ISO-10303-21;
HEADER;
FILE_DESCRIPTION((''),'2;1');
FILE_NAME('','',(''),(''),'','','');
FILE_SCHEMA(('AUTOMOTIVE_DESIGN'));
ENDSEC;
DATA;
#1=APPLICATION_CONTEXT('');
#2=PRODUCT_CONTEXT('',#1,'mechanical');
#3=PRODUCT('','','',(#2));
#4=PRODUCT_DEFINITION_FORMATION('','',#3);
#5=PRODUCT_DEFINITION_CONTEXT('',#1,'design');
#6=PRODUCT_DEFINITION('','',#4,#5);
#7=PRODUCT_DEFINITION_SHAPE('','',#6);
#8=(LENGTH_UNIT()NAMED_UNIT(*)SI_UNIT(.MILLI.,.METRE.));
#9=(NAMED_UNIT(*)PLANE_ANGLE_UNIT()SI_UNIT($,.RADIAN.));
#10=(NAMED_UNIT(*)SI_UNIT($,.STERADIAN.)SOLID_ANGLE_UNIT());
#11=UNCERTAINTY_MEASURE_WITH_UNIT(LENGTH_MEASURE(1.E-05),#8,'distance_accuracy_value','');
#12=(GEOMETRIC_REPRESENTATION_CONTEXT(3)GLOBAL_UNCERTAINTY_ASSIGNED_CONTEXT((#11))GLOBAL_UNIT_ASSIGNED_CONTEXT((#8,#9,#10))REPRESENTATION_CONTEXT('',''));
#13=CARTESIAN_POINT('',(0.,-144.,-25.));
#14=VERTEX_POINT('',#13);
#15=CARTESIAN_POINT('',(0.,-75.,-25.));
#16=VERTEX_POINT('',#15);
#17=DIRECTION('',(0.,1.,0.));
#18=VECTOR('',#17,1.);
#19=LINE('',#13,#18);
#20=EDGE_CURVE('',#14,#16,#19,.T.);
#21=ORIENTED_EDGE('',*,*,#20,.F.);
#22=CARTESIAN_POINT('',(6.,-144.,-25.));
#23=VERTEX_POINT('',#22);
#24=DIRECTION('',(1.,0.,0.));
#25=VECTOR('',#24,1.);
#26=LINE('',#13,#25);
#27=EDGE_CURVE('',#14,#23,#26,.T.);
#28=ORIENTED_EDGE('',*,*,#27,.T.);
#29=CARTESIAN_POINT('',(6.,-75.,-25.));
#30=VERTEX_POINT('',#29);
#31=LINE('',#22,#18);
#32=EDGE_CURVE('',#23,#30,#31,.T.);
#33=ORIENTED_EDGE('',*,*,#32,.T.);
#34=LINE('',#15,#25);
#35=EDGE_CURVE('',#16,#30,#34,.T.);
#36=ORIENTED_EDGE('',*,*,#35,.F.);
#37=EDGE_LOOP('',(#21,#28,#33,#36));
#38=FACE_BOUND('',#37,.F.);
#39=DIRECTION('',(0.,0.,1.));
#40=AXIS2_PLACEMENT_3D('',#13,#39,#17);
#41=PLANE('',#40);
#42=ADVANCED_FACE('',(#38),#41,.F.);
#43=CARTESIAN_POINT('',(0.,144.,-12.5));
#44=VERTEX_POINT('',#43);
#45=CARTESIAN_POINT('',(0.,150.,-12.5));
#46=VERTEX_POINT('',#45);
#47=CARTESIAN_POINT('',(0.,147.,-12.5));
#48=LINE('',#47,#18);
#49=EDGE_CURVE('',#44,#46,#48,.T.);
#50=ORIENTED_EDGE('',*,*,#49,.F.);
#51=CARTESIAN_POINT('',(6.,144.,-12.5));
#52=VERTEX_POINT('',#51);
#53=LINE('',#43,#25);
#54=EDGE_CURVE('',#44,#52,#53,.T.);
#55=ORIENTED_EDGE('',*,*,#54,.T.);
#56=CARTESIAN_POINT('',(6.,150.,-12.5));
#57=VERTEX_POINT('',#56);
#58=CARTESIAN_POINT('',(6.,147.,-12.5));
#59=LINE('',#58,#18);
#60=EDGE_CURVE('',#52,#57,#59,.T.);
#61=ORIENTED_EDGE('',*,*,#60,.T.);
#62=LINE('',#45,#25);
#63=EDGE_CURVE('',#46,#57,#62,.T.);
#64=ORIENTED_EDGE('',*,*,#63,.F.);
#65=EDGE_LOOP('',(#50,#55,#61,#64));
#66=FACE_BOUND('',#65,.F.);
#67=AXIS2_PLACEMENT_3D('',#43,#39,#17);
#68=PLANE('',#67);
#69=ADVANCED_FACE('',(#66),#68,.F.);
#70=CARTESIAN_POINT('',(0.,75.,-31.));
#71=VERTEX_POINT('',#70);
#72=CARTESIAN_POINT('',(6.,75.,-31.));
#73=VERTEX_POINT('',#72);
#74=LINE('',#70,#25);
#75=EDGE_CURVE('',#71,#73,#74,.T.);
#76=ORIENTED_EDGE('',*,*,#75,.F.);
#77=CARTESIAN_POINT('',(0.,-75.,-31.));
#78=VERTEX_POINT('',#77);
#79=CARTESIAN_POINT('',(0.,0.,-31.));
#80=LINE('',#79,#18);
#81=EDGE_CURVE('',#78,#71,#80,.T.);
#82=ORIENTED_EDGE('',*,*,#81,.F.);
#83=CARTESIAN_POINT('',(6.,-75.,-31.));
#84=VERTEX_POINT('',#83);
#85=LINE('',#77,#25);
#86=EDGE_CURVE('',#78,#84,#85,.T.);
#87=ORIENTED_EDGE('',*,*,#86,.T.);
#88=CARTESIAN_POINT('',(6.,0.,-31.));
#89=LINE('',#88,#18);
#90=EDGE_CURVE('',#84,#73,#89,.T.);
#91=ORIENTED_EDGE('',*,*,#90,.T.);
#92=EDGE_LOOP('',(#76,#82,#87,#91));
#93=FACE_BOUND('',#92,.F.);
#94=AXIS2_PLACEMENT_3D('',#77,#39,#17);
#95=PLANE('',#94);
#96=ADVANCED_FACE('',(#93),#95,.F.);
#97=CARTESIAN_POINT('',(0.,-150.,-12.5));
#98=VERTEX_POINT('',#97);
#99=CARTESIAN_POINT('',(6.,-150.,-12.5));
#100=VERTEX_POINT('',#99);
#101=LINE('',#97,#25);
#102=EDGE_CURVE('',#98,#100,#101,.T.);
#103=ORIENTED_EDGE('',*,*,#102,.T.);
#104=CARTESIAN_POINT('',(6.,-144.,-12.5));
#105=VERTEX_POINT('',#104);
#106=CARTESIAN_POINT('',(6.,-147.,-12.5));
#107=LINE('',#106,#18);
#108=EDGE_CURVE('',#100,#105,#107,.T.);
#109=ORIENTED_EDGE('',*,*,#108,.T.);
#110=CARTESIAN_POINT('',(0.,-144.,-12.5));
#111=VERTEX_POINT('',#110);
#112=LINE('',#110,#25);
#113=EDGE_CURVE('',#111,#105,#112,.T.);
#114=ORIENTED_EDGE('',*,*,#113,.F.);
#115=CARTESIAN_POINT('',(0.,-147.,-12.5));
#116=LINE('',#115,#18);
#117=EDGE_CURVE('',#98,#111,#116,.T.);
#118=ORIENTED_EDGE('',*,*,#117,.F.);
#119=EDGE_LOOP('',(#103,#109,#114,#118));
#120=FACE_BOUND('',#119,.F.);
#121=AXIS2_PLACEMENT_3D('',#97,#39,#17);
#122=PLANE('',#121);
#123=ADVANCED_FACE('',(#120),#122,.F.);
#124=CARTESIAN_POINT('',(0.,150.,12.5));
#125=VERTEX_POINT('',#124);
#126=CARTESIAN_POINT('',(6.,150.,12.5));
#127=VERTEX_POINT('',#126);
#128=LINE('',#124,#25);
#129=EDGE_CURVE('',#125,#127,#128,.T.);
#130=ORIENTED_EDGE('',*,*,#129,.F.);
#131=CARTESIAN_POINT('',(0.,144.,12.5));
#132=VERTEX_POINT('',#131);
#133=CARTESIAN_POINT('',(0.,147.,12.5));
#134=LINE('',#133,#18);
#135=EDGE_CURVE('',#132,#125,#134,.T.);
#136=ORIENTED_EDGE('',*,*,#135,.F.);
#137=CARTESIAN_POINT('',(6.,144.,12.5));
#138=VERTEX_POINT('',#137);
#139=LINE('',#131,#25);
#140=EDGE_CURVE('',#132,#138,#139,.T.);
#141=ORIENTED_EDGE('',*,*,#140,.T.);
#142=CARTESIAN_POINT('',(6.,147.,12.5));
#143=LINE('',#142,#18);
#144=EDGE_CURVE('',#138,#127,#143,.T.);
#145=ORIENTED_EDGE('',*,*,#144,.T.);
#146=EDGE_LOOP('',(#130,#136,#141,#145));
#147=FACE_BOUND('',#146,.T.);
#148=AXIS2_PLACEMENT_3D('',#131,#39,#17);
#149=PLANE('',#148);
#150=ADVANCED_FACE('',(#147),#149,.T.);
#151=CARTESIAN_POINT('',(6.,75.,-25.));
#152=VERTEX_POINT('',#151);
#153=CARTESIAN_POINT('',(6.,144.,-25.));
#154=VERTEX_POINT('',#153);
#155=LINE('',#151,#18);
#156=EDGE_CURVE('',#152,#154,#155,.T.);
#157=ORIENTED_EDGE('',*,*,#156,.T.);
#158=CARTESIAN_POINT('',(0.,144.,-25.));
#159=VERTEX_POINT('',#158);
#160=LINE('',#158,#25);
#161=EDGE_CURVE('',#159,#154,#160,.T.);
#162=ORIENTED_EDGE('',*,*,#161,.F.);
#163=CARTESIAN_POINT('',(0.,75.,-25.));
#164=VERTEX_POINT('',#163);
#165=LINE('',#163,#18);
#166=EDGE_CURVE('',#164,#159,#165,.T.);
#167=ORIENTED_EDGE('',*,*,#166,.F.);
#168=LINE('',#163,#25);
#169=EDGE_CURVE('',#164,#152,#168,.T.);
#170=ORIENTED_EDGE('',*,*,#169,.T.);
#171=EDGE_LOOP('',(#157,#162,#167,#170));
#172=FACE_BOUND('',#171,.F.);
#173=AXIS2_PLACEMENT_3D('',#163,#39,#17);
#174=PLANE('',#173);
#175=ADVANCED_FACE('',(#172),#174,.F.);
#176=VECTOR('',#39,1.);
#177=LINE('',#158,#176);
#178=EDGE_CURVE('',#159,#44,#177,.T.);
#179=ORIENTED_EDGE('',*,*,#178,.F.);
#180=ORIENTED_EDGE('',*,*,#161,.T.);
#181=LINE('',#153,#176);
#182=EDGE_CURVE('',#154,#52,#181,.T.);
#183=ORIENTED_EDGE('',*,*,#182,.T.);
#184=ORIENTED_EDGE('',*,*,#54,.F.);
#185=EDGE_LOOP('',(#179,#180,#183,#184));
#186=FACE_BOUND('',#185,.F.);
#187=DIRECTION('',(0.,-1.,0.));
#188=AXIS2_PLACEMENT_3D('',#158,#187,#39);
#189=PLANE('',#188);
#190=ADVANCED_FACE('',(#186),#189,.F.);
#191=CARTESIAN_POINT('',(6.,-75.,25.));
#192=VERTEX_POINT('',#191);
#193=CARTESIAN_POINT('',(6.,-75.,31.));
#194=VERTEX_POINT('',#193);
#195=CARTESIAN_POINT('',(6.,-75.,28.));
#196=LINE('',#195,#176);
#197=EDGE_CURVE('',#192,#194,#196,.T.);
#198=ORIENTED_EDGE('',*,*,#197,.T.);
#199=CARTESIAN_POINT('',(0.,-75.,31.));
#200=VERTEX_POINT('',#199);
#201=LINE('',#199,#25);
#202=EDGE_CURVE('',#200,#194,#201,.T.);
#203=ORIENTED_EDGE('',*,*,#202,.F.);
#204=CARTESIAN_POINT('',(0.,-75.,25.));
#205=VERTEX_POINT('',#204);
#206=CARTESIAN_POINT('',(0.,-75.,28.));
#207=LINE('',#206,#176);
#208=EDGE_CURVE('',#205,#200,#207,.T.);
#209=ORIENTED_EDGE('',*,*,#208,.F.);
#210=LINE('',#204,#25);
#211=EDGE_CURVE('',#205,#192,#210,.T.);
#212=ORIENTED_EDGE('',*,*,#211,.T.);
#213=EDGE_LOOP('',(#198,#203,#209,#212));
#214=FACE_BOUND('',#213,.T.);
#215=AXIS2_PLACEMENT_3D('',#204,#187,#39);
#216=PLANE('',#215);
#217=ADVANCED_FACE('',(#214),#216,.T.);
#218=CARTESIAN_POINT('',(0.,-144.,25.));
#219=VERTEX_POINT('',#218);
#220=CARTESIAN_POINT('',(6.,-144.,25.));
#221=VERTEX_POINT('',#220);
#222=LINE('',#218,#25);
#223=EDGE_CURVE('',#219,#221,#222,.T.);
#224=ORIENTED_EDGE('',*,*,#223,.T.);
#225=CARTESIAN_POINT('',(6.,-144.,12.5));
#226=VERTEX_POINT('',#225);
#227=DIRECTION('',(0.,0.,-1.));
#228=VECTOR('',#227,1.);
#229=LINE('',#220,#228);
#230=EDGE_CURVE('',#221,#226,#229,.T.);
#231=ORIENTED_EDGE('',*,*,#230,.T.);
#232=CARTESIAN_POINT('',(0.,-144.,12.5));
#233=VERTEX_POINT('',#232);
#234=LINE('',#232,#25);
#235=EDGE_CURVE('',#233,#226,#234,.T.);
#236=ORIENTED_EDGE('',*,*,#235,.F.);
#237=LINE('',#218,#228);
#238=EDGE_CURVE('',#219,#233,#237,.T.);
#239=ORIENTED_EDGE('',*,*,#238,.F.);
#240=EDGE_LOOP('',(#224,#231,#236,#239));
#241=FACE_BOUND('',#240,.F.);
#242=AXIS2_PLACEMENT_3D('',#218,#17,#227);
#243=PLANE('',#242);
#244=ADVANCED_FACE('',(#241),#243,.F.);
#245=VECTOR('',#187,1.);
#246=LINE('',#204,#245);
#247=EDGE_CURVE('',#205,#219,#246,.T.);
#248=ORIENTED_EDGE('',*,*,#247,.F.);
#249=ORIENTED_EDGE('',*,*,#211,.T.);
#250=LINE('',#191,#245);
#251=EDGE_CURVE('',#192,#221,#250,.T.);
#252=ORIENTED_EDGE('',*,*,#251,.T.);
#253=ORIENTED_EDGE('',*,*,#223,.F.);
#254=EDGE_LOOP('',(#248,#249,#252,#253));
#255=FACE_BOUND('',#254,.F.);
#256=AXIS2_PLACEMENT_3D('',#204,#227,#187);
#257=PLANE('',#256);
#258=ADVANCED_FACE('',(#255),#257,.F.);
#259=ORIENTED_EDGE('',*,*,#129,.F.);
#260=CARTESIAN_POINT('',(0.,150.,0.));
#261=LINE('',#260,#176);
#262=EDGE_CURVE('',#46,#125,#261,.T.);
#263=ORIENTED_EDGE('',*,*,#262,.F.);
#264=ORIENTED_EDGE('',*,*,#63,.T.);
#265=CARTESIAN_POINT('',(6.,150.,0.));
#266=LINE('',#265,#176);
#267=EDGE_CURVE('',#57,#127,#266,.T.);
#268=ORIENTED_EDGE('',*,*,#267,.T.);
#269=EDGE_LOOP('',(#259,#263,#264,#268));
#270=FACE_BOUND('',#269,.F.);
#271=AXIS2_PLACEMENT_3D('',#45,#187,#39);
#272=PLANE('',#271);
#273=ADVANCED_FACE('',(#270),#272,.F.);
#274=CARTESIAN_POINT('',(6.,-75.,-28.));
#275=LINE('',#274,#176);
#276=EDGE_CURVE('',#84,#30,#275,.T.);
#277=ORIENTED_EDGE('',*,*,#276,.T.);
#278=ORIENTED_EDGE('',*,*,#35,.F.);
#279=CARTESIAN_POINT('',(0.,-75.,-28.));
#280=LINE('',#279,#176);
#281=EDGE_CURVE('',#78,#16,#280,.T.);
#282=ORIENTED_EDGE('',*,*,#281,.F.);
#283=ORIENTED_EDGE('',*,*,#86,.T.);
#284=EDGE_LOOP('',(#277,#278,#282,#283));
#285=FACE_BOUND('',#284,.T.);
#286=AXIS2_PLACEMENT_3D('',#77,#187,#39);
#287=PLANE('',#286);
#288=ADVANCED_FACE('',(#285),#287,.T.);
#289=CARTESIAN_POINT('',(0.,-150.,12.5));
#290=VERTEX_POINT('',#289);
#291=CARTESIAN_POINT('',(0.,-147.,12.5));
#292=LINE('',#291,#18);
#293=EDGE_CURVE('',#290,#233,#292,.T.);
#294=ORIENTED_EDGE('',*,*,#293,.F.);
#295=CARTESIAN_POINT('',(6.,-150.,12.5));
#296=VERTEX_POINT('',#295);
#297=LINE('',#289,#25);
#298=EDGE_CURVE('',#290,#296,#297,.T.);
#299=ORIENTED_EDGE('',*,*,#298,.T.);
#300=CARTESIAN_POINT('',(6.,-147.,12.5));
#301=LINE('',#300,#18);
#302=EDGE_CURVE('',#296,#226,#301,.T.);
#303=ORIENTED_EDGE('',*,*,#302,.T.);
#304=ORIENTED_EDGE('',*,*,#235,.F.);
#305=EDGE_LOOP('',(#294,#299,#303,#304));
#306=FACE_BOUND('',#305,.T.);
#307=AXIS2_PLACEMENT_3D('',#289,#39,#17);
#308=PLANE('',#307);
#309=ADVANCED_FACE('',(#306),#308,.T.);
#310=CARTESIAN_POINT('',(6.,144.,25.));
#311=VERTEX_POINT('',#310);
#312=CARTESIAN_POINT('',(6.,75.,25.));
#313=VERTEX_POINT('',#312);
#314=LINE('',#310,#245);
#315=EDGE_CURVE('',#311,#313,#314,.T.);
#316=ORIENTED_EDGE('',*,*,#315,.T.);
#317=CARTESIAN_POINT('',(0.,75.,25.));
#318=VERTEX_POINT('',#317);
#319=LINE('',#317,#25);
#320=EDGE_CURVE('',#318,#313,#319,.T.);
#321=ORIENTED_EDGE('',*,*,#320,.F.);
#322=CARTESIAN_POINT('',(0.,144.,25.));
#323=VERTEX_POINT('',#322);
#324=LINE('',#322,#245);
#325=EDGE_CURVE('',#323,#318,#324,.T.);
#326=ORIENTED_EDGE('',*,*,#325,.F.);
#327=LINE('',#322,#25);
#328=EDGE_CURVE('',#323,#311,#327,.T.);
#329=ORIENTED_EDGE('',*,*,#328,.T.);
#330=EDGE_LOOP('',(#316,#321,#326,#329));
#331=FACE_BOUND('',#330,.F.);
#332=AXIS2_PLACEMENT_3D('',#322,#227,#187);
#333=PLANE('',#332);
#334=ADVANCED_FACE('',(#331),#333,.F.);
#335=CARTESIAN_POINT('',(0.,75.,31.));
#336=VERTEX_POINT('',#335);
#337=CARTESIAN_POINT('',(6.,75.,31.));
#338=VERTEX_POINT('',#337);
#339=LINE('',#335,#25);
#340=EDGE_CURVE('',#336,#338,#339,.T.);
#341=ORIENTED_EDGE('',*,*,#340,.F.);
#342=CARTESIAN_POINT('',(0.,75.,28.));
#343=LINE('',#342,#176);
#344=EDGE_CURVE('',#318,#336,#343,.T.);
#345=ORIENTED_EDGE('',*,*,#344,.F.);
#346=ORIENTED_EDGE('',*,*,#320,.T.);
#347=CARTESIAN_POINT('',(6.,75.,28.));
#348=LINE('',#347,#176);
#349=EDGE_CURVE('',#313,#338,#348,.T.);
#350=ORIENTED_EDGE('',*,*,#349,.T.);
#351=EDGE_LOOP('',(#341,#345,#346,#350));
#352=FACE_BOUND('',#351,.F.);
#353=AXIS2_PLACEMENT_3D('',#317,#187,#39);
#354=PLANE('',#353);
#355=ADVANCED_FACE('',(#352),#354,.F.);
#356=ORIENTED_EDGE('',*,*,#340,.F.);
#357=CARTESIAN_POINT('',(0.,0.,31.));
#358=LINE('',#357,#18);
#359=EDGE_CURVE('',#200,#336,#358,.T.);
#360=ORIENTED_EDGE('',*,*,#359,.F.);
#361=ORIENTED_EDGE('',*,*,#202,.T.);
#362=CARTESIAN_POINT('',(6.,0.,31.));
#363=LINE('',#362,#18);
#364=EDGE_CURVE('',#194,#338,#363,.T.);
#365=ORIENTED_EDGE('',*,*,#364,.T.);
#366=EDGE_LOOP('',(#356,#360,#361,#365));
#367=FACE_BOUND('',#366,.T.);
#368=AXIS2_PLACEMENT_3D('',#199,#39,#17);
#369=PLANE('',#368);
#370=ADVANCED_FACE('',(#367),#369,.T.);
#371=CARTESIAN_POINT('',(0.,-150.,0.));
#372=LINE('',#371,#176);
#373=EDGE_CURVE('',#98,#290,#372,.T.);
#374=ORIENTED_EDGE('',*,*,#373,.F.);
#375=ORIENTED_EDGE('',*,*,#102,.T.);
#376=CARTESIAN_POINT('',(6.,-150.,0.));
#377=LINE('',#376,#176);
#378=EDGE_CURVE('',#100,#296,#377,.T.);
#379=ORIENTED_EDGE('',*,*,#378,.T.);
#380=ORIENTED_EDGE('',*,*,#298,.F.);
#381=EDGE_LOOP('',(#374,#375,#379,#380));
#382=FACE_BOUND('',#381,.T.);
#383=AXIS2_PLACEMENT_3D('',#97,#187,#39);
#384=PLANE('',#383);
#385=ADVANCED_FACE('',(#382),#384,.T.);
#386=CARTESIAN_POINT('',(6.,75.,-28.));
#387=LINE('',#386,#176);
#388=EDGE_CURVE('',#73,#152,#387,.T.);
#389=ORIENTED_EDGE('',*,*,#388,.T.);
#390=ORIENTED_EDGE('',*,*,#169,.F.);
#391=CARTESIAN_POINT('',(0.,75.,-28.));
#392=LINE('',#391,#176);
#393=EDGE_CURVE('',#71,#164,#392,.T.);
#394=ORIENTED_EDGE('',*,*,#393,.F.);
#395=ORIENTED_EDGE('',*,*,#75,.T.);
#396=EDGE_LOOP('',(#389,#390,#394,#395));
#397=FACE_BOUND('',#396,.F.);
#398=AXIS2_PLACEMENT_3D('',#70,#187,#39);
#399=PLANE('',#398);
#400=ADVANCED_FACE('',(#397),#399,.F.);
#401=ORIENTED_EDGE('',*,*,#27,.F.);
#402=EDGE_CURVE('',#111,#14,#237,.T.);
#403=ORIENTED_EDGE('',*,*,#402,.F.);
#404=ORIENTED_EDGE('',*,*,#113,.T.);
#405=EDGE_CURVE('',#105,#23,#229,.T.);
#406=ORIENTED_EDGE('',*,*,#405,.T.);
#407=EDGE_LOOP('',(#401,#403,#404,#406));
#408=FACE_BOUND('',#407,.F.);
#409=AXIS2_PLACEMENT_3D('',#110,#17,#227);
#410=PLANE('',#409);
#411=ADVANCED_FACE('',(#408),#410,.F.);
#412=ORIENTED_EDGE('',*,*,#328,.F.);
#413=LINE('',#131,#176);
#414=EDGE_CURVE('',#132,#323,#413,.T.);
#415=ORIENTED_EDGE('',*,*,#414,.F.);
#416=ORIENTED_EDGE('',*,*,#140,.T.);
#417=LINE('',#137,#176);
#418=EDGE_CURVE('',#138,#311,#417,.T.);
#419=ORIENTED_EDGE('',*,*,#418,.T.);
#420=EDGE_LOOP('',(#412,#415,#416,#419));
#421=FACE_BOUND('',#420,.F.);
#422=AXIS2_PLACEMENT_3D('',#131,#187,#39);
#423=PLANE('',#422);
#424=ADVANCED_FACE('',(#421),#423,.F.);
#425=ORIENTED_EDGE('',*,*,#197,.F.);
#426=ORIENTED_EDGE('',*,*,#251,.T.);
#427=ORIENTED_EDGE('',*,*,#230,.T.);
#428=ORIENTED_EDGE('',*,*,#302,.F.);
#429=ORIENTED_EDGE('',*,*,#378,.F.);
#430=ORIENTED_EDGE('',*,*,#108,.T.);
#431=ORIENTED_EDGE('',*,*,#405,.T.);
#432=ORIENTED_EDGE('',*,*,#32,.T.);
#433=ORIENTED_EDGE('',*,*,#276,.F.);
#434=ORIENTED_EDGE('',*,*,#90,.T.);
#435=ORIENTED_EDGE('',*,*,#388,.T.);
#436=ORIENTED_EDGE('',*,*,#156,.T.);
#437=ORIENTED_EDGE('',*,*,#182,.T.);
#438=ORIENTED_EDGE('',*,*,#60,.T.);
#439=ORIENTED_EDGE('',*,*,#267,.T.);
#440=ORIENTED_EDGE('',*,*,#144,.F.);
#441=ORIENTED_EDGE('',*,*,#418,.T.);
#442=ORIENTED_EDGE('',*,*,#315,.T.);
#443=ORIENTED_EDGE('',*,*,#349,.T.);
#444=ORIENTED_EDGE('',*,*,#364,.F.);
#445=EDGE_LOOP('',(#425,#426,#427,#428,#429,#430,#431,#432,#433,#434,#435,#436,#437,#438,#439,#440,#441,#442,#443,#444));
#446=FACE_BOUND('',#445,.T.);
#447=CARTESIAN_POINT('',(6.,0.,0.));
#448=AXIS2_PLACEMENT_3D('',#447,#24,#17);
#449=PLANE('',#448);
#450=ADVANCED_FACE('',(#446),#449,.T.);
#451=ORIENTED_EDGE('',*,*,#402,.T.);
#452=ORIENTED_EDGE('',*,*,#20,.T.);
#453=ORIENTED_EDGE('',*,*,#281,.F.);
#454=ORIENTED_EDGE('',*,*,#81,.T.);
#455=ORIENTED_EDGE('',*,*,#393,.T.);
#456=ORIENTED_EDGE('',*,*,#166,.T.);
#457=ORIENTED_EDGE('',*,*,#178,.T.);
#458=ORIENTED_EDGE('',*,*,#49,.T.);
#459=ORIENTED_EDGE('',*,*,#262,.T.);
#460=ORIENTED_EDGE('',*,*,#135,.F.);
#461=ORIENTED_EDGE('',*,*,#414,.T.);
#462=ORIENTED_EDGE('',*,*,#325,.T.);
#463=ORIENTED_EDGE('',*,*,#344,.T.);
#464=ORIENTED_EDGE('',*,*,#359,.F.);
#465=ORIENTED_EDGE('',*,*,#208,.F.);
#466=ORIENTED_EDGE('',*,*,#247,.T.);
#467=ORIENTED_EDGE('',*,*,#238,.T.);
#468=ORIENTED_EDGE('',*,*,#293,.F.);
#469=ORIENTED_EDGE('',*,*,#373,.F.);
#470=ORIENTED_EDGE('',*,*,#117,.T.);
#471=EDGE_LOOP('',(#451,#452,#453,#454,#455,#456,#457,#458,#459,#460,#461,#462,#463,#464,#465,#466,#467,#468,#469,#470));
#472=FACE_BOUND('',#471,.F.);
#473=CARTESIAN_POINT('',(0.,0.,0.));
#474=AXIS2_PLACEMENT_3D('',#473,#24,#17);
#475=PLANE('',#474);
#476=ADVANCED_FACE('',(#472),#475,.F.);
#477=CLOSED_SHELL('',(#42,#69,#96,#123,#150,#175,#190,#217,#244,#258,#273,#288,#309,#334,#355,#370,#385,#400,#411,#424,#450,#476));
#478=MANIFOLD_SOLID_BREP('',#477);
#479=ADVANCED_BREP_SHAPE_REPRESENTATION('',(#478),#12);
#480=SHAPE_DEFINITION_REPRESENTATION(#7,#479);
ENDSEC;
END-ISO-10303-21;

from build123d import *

# Parameters (mm, degrees)
F0_W     = 150
F0_H     = 6
F0_W_2   = 6
F0_H_2   = 25
F1_DEPTH = 6


with BuildPart() as f1:
    # F0 (on Right) → F1 (new body)
    with BuildSketch(Plane.YZ):
        Polygon((-75, 25), (-144, 25), (-144, 12.5), (-138, 12.5), (-138, -12.5), (-144, -12.5), (-144, -25), (-75, -25), (-75, -19), (75, -19), (75, -25), (144, -25), (144, -12.5), (138, -12.5), (138, 12.5), (144, 12.5), (144, 25), (75, 25), (75, 19), (-75, 19), align=None)
        with Locations((0, 28)):
            Rectangle(F0_W, F0_H)
        with Locations((0, 22)):
            Rectangle(F0_W, F0_H)
        with Locations((0, -28)):
            Rectangle(F0_W, F0_H)
        with Locations((0, -22)):
            Rectangle(F0_W, F0_H)
        with Locations((-141, 0)):
            Rectangle(F0_W_2, F0_H_2)
        with Locations((-147, 0)):
            Rectangle(F0_W_2, F0_H_2)
        with Locations((147, 0)):
            Rectangle(F0_W_2, F0_H_2)
        with Locations((141, 0)):
            Rectangle(F0_W_2, F0_H_2)
    extrude(amount=F1_DEPTH)


solid = f1.part
